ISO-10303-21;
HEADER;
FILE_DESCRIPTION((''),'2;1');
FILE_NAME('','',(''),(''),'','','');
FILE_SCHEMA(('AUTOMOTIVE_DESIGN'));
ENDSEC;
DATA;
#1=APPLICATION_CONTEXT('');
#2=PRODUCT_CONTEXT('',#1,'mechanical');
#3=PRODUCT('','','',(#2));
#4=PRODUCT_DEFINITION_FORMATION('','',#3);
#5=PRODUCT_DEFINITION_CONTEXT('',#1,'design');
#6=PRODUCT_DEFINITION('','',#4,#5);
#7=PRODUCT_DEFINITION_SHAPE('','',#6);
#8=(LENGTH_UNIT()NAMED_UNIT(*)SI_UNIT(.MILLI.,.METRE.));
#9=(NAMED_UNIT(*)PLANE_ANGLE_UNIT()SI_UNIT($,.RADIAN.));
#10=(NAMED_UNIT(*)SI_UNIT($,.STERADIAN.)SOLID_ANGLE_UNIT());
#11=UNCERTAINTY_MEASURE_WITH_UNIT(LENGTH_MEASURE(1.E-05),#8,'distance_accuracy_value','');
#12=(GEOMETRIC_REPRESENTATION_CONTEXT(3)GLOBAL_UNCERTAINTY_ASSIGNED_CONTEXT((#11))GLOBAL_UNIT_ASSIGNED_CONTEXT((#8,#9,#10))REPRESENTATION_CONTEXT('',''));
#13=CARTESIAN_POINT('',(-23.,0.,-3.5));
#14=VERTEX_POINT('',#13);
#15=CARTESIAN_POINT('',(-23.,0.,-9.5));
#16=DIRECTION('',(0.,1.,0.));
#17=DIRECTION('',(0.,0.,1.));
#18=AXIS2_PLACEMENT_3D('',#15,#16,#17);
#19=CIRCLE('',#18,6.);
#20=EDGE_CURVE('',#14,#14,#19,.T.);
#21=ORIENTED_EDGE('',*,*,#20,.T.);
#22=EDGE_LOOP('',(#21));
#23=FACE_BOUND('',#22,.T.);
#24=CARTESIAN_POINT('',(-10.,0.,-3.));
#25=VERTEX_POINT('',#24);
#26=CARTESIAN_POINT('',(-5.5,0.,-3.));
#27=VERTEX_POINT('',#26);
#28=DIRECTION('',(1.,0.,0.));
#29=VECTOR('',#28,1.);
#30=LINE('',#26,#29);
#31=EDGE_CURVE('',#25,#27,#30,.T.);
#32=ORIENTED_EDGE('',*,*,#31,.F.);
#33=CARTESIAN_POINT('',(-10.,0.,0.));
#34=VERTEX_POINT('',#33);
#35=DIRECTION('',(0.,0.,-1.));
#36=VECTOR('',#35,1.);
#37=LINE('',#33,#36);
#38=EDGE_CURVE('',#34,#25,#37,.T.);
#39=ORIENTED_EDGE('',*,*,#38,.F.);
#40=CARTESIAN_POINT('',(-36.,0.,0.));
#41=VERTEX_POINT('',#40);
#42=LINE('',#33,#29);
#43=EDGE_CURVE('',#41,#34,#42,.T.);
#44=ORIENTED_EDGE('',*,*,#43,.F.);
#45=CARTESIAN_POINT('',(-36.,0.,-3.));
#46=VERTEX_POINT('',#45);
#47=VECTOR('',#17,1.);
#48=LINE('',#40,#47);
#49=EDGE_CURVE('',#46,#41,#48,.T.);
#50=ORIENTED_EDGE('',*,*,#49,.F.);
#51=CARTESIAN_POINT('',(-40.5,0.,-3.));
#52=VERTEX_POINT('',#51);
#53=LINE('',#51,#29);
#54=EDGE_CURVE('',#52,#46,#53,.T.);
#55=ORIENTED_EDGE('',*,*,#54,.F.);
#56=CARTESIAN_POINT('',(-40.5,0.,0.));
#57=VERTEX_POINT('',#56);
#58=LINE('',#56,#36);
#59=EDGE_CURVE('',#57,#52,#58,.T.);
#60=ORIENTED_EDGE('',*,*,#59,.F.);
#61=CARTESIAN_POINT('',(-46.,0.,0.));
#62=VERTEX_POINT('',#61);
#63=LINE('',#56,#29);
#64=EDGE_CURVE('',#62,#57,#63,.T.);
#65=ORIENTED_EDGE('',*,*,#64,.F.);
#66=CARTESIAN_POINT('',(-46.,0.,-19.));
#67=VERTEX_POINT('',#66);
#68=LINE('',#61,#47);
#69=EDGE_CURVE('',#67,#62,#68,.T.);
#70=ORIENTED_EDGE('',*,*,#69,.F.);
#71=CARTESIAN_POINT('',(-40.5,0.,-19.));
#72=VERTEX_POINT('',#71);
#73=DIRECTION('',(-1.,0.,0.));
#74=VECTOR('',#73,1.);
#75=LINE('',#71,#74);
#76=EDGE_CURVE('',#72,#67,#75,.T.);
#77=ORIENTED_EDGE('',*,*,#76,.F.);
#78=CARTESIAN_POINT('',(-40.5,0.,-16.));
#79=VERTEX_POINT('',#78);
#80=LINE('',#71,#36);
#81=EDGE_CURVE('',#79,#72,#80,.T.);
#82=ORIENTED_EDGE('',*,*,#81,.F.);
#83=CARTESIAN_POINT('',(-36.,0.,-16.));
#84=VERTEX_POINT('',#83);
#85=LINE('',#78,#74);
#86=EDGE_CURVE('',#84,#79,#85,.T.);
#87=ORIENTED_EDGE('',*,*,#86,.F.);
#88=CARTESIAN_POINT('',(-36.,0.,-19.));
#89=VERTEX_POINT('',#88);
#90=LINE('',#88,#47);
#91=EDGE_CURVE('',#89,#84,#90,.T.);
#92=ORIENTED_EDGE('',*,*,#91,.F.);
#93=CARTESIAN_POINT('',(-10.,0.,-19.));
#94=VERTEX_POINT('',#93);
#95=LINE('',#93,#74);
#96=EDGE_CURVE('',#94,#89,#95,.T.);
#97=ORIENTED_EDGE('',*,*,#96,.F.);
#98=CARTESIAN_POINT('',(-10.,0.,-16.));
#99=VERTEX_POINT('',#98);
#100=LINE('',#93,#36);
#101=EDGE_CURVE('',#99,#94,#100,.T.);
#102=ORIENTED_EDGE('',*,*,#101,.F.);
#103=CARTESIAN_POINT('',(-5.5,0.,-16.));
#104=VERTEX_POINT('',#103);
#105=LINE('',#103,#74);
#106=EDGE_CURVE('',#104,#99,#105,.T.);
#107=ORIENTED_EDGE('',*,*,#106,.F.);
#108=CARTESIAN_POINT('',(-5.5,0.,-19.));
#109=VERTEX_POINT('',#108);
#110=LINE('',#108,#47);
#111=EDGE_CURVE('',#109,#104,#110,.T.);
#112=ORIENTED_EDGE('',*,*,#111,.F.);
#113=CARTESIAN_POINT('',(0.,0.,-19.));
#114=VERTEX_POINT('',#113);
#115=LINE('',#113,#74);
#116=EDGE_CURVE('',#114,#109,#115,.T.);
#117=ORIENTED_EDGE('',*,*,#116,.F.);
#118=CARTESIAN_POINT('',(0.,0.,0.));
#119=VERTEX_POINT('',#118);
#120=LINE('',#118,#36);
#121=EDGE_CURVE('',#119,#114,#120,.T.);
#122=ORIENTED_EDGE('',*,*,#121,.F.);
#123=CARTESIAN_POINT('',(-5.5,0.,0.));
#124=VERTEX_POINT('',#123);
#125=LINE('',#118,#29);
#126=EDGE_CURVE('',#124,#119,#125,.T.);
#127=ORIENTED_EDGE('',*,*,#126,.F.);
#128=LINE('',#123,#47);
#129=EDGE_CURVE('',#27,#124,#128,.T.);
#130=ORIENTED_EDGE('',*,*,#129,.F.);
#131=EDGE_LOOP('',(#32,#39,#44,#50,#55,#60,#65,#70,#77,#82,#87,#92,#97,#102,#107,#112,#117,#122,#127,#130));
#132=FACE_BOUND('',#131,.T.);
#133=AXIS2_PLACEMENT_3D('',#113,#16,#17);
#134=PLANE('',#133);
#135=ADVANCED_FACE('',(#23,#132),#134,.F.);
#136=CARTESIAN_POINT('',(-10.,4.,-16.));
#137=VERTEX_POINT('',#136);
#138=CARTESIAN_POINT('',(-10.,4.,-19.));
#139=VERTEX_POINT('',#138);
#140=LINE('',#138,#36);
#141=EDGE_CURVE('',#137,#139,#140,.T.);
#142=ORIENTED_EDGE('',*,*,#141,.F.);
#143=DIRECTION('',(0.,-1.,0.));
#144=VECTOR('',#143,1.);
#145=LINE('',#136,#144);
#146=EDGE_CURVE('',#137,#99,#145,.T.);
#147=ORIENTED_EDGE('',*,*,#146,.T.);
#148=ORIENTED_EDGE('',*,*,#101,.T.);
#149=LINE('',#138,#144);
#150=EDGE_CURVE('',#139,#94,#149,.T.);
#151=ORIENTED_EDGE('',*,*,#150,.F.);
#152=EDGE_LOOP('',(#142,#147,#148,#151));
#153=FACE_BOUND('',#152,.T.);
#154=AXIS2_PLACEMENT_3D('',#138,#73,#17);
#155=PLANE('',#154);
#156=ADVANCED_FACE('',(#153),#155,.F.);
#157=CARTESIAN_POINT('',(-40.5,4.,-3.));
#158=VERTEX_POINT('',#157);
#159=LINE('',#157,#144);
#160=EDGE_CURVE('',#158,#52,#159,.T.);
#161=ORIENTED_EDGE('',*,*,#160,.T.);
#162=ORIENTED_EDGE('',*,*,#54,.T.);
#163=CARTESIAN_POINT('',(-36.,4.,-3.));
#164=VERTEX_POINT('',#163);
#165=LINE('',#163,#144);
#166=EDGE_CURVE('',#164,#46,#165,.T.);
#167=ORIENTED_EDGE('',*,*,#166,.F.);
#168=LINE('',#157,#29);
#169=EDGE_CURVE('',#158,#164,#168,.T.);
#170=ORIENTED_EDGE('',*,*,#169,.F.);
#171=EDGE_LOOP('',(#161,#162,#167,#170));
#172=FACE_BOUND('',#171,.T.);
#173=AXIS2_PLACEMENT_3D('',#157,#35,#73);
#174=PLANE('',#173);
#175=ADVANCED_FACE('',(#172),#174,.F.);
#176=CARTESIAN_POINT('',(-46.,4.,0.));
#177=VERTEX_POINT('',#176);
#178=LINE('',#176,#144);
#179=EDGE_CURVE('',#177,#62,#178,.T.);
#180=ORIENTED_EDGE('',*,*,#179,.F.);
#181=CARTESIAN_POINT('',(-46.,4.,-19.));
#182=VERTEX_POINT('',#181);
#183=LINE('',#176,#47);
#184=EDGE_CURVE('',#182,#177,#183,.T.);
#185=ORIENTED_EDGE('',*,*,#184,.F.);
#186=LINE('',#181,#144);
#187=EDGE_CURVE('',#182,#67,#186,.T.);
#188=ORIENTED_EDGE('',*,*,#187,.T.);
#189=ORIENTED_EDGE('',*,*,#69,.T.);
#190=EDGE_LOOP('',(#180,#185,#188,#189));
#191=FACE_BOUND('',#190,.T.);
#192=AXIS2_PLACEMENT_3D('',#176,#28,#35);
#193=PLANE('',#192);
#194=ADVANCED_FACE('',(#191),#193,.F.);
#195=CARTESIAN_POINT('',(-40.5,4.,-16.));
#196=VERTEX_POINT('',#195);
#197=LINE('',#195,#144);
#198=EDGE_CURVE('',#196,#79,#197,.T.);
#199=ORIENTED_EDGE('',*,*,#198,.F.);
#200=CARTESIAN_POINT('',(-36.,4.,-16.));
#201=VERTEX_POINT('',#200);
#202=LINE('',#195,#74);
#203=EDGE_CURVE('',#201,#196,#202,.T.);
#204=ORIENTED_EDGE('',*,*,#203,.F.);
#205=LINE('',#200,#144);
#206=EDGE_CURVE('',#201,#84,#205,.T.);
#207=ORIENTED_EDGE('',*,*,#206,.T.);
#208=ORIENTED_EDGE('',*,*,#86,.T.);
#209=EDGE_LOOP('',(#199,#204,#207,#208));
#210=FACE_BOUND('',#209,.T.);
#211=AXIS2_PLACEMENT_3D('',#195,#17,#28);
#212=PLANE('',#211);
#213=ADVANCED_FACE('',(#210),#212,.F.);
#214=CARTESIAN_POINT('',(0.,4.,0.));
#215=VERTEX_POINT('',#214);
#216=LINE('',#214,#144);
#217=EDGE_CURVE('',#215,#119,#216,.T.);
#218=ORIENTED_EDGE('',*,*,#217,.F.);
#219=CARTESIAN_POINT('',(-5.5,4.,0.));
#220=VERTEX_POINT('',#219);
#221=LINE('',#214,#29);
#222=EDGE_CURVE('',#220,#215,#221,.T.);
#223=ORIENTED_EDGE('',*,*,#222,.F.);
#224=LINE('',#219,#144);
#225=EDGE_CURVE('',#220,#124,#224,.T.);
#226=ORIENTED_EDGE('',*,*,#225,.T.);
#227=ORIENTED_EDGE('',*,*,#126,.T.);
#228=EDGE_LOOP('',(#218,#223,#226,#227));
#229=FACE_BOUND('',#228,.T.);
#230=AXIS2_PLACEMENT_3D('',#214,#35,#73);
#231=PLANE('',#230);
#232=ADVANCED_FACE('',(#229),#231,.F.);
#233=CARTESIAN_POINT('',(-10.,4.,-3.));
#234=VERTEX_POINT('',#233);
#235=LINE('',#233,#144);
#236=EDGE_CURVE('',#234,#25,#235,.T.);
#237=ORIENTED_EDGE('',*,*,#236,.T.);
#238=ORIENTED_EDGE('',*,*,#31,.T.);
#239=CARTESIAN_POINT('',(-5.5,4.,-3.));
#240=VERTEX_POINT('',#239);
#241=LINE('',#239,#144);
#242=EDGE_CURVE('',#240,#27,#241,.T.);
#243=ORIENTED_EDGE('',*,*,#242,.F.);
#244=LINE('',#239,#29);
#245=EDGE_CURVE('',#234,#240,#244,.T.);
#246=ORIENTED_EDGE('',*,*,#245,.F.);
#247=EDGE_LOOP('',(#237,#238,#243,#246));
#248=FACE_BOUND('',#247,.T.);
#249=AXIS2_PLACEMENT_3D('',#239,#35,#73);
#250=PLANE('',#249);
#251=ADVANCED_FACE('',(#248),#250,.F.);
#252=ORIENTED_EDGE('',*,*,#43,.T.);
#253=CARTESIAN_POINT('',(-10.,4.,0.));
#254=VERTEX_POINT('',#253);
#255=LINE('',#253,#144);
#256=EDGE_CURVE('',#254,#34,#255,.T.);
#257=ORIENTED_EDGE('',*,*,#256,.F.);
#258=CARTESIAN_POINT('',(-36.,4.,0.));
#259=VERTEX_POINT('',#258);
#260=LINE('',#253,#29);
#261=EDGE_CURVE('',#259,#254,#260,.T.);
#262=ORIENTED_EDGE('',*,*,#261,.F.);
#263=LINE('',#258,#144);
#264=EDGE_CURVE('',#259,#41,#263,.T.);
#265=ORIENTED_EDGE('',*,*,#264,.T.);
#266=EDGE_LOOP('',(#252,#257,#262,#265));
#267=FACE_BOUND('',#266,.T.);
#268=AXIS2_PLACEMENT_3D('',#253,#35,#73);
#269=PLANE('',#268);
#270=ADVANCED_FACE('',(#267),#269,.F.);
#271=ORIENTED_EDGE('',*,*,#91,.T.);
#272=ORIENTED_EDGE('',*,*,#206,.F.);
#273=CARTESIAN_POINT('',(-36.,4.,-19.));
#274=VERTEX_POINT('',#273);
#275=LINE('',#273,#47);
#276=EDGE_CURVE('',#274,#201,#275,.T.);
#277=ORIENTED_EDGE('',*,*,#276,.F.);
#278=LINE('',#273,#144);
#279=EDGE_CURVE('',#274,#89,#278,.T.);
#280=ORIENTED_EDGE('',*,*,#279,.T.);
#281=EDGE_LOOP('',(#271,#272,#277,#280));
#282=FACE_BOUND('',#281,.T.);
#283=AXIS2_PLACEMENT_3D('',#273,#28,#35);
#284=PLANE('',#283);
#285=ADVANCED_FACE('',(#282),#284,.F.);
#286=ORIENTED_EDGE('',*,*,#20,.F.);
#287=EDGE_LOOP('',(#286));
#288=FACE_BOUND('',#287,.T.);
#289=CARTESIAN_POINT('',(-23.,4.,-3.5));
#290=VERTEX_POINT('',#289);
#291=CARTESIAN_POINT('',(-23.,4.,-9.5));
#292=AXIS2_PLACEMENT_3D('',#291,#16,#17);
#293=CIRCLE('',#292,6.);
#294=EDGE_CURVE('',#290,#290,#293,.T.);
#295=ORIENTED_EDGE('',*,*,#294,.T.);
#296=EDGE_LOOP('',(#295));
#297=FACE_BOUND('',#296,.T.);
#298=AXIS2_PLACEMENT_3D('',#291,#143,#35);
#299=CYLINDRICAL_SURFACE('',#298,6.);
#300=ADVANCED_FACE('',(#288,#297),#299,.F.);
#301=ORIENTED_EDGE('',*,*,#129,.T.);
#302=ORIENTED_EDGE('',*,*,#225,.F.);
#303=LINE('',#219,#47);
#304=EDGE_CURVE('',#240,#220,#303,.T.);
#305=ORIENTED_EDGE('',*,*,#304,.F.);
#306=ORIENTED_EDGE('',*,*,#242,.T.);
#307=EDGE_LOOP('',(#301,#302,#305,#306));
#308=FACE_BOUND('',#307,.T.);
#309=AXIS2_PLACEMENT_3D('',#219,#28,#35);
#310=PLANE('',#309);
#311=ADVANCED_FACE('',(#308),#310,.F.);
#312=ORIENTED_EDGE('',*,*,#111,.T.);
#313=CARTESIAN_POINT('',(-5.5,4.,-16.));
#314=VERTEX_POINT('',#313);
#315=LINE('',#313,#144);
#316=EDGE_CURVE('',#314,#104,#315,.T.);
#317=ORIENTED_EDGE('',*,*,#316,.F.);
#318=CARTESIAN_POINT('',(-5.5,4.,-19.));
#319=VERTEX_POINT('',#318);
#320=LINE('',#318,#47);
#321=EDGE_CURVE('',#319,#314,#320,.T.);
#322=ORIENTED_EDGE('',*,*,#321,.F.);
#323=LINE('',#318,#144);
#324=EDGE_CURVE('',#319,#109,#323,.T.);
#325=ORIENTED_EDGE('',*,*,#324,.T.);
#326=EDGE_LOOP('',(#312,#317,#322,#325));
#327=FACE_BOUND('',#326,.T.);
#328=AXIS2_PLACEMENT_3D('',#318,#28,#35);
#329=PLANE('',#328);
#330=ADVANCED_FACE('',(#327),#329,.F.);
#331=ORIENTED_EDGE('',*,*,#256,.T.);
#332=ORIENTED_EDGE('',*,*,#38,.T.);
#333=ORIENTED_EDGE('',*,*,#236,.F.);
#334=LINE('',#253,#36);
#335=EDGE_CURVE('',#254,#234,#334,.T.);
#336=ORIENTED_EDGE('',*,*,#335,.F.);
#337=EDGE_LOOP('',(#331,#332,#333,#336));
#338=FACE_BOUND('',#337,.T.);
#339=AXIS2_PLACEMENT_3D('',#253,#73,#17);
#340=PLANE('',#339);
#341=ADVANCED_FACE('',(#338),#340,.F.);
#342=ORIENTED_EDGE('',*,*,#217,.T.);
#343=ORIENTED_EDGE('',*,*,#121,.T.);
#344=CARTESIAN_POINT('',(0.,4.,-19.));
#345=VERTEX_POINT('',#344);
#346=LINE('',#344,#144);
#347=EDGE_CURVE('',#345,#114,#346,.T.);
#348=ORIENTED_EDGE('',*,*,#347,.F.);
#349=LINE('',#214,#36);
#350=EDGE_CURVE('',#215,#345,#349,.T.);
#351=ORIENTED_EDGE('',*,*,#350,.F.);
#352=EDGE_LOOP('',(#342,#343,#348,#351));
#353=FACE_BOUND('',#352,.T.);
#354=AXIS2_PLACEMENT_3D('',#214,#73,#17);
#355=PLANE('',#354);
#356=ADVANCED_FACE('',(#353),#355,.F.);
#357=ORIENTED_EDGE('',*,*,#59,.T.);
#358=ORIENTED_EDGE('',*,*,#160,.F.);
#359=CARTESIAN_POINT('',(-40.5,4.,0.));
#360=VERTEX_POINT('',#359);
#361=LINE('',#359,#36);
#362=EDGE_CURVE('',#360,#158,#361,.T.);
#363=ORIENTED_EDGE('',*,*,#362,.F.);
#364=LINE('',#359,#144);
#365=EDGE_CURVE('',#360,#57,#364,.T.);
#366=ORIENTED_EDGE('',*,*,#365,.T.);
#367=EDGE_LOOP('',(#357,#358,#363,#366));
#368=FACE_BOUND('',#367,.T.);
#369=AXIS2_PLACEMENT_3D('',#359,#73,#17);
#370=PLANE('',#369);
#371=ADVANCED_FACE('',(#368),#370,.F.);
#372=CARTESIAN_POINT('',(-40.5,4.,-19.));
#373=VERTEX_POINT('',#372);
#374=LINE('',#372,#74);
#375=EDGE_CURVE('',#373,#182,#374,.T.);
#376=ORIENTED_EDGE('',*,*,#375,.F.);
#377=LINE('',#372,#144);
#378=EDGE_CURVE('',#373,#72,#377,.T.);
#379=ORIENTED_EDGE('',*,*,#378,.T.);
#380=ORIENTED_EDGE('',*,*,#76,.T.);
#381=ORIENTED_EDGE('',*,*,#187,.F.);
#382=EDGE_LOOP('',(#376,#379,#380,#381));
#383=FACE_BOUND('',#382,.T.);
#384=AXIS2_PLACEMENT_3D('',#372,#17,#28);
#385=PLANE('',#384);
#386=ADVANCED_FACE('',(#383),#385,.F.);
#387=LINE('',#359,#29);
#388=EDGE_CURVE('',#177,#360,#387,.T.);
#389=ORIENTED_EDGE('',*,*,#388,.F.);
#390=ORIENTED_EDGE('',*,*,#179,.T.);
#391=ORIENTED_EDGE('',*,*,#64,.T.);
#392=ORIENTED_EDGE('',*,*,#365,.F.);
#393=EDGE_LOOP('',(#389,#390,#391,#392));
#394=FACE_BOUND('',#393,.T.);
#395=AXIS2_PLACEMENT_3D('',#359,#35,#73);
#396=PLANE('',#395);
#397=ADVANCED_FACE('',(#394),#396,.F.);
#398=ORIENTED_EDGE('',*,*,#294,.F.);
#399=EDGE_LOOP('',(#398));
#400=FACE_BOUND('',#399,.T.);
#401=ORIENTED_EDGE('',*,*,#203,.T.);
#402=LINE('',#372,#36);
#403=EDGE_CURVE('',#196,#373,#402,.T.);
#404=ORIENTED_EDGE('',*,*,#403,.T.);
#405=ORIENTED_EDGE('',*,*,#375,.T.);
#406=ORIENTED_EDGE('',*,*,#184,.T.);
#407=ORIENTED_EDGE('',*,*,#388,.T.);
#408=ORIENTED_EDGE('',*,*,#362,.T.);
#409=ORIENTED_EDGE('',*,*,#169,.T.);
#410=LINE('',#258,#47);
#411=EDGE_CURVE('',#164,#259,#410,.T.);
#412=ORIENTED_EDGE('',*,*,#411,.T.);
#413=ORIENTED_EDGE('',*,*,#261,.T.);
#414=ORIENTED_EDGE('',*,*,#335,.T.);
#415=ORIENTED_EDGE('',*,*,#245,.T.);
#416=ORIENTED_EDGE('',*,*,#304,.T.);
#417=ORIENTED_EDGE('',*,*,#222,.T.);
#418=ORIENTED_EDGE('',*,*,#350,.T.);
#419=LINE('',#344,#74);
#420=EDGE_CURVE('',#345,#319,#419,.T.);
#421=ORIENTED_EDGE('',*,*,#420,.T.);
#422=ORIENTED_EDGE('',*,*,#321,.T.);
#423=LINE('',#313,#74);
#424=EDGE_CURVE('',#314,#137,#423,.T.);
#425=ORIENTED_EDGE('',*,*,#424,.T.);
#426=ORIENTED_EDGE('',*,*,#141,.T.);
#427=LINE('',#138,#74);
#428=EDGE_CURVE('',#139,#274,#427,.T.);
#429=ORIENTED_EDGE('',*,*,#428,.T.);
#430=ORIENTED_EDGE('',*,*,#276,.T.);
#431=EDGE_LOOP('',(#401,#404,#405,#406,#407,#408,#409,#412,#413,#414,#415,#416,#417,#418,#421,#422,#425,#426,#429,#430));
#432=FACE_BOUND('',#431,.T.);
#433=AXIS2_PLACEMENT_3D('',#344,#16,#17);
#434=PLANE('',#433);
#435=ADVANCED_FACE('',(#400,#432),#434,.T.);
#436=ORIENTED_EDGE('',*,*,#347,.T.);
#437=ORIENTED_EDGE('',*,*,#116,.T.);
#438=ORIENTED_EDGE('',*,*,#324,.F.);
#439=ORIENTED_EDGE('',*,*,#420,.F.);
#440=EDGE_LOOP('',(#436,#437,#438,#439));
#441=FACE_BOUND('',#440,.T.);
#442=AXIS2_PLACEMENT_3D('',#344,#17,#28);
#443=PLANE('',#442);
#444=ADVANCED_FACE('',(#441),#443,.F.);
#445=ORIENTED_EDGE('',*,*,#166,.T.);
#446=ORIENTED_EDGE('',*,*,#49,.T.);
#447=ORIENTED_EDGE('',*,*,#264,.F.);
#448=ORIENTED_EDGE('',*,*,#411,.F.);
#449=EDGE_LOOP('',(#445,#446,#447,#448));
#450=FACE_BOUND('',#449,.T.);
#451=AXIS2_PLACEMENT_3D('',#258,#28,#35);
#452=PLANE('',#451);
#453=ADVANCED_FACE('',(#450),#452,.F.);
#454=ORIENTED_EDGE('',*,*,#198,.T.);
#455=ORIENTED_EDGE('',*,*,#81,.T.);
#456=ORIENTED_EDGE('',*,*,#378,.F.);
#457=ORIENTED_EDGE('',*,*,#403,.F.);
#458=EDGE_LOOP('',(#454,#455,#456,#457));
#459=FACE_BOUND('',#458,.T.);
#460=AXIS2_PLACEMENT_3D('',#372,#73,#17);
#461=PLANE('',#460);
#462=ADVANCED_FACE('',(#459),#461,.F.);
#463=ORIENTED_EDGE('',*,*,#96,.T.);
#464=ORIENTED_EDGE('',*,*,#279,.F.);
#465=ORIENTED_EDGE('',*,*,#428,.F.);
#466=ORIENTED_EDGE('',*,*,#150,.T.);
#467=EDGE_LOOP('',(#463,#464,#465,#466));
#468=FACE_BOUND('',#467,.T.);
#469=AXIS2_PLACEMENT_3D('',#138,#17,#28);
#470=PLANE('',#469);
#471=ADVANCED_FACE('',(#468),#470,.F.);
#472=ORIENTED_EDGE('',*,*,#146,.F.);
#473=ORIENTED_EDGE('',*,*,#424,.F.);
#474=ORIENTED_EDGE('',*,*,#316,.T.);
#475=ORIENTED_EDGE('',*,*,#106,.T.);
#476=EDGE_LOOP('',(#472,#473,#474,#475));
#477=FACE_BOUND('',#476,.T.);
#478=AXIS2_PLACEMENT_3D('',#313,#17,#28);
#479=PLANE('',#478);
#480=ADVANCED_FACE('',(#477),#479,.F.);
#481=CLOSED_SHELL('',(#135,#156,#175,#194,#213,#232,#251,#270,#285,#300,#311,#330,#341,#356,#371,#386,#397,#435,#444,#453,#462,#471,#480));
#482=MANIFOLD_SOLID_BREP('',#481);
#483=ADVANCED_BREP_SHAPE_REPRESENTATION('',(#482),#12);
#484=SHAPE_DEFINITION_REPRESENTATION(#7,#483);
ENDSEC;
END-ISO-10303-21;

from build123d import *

# Parameters (mm, degrees)
SKETCH_1_R      = 6
EXTRUDE_1_DEPTH = 4


with BuildPart() as part:
    # ｽｹｯﾁ1 → ﾎﾞｽ - 押し出し1 (new body)
    with BuildSketch(Plane(origin=(0, 0, 0), x_dir=(1, 0, 0), z_dir=(0, 1, 0))):
        Polygon((0, 0), (-5.5, 0), (-5.5, 3), (-10, 3), (-10, 0), (-36, 0), (-36, 3), (-40.5, 3), (-40.5, 0), (-46, 0), (-46, 19), (-40.5, 19), (-40.5, 16), (-36, 16), (-36, 19), (-10, 19), (-10, 16), (-5.5, 16), (-5.5, 19), (0, 19), align=None)
        with Locations(Location((-23, 9.5, 0), (0, 0, 270))):
            Circle(SKETCH_1_R, mode=Mode.SUBTRACT)
    extrude(amount=EXTRUDE_1_DEPTH)


solid = part.part
